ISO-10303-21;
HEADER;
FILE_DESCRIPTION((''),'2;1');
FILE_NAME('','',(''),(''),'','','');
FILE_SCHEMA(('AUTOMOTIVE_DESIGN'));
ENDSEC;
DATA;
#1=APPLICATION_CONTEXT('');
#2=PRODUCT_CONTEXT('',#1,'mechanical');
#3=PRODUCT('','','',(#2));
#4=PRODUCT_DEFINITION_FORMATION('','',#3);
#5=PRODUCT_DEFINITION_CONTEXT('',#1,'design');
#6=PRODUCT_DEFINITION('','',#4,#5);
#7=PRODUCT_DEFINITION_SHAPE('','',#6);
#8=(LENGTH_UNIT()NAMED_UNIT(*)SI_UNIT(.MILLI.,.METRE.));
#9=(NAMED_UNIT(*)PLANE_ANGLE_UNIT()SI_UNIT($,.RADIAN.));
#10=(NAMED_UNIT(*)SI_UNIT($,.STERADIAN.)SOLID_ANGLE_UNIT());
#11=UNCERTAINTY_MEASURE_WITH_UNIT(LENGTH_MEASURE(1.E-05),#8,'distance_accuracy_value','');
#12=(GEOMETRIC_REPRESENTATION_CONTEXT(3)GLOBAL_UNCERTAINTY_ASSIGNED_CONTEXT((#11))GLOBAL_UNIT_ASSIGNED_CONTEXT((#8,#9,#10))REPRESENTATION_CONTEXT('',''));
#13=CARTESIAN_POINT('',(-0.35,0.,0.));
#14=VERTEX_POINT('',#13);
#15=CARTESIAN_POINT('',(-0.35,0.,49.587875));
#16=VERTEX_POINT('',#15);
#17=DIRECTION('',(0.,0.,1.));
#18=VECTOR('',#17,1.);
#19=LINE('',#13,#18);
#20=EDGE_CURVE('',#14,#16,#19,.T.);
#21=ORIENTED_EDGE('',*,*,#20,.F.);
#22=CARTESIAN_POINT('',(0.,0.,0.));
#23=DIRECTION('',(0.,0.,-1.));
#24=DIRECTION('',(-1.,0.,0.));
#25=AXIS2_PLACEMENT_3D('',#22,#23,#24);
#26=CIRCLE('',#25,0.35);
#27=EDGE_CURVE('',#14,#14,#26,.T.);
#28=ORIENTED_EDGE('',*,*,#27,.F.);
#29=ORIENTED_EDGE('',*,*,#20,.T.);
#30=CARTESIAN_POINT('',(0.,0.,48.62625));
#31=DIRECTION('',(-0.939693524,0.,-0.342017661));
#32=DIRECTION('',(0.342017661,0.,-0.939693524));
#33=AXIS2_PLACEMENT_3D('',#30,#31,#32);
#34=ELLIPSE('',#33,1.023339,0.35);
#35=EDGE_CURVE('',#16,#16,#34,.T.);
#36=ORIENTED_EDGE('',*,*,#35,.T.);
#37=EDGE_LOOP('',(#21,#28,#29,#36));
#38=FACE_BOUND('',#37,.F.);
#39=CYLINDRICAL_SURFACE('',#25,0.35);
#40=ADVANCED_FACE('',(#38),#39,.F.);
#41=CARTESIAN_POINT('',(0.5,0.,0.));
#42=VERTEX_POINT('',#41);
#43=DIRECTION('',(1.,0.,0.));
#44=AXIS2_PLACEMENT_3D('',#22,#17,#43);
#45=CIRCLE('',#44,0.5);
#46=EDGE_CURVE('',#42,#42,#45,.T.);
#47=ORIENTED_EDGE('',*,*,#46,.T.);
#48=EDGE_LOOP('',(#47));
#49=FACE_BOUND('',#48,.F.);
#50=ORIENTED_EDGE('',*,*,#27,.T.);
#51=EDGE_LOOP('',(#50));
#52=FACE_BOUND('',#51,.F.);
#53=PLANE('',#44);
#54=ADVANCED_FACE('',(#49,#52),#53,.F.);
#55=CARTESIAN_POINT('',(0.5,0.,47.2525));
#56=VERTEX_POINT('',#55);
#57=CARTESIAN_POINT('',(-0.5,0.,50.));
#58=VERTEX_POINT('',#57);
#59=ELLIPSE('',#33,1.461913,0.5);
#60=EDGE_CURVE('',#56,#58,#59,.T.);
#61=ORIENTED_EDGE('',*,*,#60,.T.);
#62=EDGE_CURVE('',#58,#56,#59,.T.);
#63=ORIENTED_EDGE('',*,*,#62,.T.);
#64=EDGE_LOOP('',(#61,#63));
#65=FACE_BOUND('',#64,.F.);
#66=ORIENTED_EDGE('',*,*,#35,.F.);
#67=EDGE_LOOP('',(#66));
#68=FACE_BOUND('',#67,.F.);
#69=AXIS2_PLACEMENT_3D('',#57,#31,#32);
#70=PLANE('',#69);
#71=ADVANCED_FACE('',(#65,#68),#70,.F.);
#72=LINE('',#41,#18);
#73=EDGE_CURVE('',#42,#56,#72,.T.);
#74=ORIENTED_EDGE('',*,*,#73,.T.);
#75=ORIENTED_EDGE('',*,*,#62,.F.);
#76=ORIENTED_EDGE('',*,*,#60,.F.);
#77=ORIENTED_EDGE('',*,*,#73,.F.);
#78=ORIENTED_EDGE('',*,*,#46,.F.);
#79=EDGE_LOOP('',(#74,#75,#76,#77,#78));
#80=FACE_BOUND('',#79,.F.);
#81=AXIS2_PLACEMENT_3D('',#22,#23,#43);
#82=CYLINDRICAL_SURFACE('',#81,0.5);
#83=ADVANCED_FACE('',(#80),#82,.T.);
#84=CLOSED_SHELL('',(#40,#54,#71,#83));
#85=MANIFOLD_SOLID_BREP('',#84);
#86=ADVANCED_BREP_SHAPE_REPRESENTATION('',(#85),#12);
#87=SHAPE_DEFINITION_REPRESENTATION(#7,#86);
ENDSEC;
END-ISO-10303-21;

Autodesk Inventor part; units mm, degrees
ref_plane "YZ Plane" through (0, 0, 0) normal (1, 0, 0) x (0, 1, 0)
ref_plane "XZ Plane" through (0, 0, 0) normal (0, 1, 0) x (-1, 0, 0)
ref_plane "UCS1: YZ Plane" through (-0.5, 0, 50) normal (0.9659, 0, 0.2588) x (0.2588, 0, -0.9659)
sketch "Sketch1" plane through (0, 0, 0) normal (0, 0, 1) x (1, 0, 0)
  circle A0 centre (0, 0) radius 0.5
  dimension "d0" = 1
extrude "Extrusion1" add sketch "Sketch1" along normal blind 50
sketch "Sketch2" plane through (0, 0, 50) normal (0, 0, 1) x (1, 0, 0)
  circle A0 centre (0, 0) radius 0.5 projected
  line L0 (-0.7, 0) -> (0.7, 0) projected
  line L1 (0, -0.7) -> (0, 0.7) projected
  point P0 (0, 0.5)
  point P1 (0.5, 0)
  point P2 (-0.5, 0)
sketch "Sketch3" plane through (-0.5, 0, 50) normal (0, 1, 0) x (0.9659, 0, 0.2588)
  point P0 (0, 0)
sketch "Sketch4" plane through (0, 0, 0) normal (0, 1, 0) x (-1, 0, 0)
  line L0 (-0.5, 0) -> (-0.5, 50) projected
  line L1 (0.5, 0) -> (0.5, 50) projected
  line L2 (0.5, 50) -> (-0.5, 47.2525)
  line L3 (-0.5, 50) -> (0.5, 50) projected
  point P0 (0, 0)
  dimension "d9" = 70
extrude "Extrusion2" cut sketch "Sketch4" along normal through all both and the other way through all
sketch "Sketch5" plane through (0, 0, 0) normal (0, 0, -1) x (-1, 0, 0)
  circle A0 centre (0, 0) radius 0.5 projected
  circle A1 centre (0, 0) radius 0.35
  dimension "d12" = 0.7
extrude "Hole" cut sketch "Sketch5" against normal through all contours A1
ref_plane "Work Plane1" through (0, 0, 30) normal (0, 0, 1) x (1, 0, 0)
sketch "Sketch6" plane through (0, 0, 30) normal (0, 0, 1) x (1, 0, 0)
  circle A0 centre (0, 0) radius 0.6
  dimension "d16" = 1.2
extrude "Extrusion4" [suppressed]
properties part number "Needle3" material "Stainless Steel, 440C"
